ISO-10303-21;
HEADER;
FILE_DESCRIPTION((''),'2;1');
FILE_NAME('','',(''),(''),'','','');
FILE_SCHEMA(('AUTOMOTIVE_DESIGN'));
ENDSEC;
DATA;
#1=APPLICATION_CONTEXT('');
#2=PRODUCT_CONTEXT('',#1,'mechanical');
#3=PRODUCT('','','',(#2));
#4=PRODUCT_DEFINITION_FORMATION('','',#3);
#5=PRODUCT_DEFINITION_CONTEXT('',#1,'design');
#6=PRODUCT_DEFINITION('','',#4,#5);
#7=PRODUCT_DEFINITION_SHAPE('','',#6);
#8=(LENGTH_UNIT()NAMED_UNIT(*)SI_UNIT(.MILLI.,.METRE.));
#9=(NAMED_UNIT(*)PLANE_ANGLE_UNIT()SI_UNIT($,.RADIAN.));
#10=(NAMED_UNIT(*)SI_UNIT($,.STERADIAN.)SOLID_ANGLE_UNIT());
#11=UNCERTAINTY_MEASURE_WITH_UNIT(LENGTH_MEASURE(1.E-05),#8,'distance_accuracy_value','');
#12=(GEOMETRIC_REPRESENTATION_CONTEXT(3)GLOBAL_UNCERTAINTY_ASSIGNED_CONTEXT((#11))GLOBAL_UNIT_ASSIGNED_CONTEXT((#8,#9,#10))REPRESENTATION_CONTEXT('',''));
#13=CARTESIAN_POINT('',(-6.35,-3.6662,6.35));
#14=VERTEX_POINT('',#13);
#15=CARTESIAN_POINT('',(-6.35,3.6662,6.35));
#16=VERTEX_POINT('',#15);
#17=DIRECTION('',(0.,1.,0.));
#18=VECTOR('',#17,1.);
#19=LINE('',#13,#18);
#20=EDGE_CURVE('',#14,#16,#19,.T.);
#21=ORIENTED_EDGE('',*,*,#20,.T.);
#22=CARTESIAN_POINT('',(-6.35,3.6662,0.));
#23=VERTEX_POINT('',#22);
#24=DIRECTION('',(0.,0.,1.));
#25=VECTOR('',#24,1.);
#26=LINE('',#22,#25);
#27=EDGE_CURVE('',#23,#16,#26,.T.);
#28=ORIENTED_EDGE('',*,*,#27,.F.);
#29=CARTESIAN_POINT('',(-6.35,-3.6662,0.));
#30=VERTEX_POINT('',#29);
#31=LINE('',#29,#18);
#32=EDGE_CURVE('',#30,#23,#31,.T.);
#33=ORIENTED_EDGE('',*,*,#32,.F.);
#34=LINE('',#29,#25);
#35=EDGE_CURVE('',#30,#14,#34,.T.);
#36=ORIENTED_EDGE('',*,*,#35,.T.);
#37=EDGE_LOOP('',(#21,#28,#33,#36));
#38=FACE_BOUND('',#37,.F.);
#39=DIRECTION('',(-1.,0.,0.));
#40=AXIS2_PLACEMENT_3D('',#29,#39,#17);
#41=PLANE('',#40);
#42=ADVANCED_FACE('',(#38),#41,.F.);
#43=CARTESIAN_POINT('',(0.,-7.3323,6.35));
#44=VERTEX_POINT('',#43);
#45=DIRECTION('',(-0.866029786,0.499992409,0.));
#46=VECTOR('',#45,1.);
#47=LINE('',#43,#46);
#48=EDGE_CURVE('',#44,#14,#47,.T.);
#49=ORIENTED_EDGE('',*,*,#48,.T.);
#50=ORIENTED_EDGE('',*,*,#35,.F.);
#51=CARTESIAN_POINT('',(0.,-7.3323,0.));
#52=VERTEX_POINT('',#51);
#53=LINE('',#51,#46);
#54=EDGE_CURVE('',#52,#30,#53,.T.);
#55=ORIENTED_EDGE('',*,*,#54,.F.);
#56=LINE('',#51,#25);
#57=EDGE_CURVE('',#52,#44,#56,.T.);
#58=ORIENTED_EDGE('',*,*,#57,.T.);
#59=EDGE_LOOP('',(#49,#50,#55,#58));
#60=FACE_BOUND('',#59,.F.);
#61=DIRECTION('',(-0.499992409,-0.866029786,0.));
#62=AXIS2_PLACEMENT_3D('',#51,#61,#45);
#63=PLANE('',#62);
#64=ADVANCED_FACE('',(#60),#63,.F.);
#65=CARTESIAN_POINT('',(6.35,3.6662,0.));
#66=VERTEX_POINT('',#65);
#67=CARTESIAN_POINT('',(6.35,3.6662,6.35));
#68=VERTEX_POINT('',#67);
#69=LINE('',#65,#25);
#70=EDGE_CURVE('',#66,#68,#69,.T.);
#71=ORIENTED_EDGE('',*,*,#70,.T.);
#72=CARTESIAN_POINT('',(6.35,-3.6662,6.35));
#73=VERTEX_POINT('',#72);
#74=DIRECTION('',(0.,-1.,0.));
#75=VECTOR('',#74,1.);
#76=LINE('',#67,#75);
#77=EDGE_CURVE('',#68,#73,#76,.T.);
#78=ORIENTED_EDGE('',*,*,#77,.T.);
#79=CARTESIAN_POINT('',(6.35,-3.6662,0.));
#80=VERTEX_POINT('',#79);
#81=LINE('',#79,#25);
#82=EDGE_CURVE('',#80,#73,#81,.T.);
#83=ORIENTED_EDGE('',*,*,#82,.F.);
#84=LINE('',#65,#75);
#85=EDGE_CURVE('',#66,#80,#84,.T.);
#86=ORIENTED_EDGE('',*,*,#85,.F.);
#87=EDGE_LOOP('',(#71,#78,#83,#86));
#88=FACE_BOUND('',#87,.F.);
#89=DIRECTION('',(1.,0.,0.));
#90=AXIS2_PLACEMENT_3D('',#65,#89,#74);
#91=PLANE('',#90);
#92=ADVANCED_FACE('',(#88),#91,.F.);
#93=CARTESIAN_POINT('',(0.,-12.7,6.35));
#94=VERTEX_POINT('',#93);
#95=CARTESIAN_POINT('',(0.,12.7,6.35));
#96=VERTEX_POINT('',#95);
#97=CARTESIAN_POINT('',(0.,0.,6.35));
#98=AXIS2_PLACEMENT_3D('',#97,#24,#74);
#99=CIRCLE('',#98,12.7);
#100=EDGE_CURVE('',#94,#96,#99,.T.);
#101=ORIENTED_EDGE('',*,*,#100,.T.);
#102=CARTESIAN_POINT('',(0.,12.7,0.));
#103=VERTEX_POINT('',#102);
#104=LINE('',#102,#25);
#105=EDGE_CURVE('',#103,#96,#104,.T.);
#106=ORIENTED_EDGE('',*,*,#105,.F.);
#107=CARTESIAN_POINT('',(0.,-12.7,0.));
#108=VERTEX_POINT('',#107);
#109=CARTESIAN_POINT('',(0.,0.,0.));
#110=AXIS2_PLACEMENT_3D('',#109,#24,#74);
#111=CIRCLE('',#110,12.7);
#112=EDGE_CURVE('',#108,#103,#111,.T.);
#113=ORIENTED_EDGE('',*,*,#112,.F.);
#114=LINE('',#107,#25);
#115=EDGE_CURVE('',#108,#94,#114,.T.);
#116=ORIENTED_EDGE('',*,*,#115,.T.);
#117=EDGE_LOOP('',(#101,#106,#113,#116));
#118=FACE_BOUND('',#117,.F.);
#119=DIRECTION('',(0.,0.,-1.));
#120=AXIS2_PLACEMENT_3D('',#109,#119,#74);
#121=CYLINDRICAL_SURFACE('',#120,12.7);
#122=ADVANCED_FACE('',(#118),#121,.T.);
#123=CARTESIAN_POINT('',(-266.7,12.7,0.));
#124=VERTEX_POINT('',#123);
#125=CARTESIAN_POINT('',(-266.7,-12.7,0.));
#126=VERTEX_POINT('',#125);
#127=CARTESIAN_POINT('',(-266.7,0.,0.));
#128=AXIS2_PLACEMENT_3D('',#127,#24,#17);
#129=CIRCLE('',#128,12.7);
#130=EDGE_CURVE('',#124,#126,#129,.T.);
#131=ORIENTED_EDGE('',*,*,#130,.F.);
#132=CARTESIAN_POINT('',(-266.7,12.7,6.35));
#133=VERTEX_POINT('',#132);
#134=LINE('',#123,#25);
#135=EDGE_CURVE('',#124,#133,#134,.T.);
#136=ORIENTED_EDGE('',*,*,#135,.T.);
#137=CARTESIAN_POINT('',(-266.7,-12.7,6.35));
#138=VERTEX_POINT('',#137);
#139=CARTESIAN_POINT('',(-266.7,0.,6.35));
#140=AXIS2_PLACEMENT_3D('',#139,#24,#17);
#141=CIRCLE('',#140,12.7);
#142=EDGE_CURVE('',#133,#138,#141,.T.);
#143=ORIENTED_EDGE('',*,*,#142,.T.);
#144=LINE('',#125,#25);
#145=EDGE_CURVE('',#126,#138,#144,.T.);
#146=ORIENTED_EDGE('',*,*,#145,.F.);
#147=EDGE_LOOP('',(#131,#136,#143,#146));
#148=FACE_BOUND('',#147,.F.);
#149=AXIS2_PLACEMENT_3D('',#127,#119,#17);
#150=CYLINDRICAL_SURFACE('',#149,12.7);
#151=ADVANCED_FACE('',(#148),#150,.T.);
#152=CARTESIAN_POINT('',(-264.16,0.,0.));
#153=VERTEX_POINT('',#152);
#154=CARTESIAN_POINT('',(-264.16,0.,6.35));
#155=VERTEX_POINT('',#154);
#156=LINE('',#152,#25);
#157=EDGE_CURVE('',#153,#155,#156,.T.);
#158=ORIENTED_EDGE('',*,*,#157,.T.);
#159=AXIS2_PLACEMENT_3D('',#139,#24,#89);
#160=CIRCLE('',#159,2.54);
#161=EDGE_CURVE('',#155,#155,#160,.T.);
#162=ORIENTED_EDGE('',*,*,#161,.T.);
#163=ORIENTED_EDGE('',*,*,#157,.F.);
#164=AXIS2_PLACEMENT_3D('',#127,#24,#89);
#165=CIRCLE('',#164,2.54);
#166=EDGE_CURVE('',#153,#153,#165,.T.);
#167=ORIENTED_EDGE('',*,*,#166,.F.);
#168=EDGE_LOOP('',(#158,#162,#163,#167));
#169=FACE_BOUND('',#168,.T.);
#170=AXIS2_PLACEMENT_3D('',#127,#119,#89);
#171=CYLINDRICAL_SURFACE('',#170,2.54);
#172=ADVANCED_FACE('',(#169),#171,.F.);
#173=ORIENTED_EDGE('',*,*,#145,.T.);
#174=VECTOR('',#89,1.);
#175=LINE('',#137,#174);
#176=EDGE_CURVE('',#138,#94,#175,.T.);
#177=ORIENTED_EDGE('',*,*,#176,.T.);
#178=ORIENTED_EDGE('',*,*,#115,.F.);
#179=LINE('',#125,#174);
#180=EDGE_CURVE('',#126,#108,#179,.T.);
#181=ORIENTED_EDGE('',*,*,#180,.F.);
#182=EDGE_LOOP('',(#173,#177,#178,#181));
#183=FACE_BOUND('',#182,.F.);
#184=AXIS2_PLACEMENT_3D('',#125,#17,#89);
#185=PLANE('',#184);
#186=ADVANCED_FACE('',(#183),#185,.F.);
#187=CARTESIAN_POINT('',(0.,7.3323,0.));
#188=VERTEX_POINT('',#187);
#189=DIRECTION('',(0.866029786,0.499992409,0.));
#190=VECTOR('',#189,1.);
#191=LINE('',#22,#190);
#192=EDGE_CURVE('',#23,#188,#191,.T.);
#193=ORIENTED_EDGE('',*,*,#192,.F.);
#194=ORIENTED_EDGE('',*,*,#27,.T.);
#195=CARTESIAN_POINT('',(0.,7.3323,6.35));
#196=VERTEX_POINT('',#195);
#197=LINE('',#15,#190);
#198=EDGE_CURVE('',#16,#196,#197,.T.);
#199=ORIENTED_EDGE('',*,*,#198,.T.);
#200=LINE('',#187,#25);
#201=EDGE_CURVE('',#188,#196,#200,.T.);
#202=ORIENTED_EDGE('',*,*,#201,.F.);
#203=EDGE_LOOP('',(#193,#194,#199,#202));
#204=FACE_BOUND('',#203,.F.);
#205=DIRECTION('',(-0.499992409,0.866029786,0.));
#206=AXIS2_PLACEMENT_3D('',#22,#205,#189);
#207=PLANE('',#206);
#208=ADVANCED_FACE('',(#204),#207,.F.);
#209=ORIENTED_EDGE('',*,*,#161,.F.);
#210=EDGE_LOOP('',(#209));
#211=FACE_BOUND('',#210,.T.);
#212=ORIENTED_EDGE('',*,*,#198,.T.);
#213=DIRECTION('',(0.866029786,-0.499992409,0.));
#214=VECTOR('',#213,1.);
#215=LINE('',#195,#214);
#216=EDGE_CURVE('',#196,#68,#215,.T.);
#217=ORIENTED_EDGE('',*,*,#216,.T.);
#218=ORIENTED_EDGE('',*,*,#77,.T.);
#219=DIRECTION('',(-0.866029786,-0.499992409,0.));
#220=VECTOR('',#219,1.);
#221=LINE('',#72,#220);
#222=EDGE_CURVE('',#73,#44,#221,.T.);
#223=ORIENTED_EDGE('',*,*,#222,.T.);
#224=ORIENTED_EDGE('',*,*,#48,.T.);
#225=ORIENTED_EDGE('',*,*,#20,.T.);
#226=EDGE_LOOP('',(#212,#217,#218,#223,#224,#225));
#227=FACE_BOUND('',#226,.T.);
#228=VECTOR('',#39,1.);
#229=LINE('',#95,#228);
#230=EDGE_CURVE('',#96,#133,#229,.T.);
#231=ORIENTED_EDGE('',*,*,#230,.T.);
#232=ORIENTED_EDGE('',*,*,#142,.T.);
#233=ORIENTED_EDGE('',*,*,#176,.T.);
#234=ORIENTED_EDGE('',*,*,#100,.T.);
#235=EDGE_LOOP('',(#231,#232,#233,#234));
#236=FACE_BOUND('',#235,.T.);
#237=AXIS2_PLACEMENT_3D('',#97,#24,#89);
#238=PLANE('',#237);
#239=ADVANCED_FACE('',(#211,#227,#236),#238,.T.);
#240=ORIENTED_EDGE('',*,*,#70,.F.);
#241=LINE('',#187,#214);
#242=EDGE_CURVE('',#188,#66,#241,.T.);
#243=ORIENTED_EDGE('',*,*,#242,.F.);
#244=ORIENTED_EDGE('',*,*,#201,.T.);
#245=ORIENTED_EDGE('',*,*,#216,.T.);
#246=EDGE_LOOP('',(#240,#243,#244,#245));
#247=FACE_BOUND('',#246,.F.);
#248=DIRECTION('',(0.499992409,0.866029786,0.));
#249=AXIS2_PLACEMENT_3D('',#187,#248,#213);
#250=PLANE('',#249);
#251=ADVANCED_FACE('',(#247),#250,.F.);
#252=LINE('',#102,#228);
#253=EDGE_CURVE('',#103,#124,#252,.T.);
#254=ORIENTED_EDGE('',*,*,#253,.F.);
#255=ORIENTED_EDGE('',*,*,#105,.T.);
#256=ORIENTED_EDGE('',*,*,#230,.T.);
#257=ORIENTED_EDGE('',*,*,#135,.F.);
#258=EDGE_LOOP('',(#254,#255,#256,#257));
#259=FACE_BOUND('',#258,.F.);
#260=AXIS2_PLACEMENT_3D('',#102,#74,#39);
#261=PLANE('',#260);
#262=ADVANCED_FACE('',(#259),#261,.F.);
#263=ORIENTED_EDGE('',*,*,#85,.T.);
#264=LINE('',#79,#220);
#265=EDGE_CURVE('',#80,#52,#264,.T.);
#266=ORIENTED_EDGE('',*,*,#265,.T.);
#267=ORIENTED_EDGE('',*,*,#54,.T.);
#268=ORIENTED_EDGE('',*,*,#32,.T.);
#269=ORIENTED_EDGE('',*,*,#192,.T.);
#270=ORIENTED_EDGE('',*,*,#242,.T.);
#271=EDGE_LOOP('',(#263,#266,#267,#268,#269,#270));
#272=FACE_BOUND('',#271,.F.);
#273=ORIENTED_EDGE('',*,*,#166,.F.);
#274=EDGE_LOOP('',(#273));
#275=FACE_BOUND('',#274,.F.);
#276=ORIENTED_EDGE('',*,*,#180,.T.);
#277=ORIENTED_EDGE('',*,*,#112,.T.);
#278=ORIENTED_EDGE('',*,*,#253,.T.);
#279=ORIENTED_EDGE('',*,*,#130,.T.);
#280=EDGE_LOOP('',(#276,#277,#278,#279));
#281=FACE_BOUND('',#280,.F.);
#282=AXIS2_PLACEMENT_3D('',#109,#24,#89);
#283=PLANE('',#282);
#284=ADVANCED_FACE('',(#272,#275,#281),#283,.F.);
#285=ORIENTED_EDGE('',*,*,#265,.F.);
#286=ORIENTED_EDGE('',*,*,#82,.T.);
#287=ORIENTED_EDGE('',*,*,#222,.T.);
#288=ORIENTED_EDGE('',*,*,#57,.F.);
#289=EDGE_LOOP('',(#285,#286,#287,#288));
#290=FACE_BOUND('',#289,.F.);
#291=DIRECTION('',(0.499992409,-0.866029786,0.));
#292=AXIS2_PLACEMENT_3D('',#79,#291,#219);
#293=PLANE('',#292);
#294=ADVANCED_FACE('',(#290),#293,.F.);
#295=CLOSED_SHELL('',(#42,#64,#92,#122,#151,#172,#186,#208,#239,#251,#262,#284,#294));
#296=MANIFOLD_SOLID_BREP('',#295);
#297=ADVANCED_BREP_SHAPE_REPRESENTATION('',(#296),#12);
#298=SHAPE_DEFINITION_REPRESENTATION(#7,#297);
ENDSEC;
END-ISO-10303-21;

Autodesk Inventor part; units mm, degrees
ref_plane "YZ Plane" through (0, 0, 0) normal (1, 0, 0) x (0, 1, 0)
ref_plane "XZ Plane" through (0, 0, 0) normal (0, 1, 0) x (-1, 0, 0)
ref_plane "XY Plane" through (0, 0, 0) normal (0, 0, 1) x (1, 0, 0)
sketch "Sketch1" plane through (0, 0, 0) normal (0, 0, 1) x (1, 0, 0)
  line L0 (0, 7.3323) -> (6.35, 3.6662)
  line L1 (6.35, 3.6662) -> (6.35, -3.6662)
  line L2 (6.35, -3.6662) -> (0, -7.3323)
  line L3 (0, -7.3323) -> (-6.35, -3.6662)
  line L4 (-6.35, -3.6662) -> (-6.35, 3.6662)
  line L5 (-6.35, 3.6662) -> (0, 7.3323)
  circle A0 centre (-266.7, 0) radius 2.54
  line L6 (-266.7, 0) -> (0, 0) construction
  line L7 (-266.7, -12.7) -> (0, -12.7)
  line L8 (0, 12.7) -> (-266.7, 12.7)
  arc A1 (-266.7, 12.7) -> (-266.7, -12.7) centre (-266.7, 0) ccw
  arc A2 (0, -12.7) -> (0, 12.7) centre (0, 0) ccw
  point P0 (-133.35, 0)
  dimension "d0" = 12.7
  dimension "d1" = 5.08
  dimension "d2" = 266.7
  dimension "d3" = 25.4
extrude "Extrusion1" add sketch "Sketch1" along normal blind 6.35
properties part number "Piv arm"
